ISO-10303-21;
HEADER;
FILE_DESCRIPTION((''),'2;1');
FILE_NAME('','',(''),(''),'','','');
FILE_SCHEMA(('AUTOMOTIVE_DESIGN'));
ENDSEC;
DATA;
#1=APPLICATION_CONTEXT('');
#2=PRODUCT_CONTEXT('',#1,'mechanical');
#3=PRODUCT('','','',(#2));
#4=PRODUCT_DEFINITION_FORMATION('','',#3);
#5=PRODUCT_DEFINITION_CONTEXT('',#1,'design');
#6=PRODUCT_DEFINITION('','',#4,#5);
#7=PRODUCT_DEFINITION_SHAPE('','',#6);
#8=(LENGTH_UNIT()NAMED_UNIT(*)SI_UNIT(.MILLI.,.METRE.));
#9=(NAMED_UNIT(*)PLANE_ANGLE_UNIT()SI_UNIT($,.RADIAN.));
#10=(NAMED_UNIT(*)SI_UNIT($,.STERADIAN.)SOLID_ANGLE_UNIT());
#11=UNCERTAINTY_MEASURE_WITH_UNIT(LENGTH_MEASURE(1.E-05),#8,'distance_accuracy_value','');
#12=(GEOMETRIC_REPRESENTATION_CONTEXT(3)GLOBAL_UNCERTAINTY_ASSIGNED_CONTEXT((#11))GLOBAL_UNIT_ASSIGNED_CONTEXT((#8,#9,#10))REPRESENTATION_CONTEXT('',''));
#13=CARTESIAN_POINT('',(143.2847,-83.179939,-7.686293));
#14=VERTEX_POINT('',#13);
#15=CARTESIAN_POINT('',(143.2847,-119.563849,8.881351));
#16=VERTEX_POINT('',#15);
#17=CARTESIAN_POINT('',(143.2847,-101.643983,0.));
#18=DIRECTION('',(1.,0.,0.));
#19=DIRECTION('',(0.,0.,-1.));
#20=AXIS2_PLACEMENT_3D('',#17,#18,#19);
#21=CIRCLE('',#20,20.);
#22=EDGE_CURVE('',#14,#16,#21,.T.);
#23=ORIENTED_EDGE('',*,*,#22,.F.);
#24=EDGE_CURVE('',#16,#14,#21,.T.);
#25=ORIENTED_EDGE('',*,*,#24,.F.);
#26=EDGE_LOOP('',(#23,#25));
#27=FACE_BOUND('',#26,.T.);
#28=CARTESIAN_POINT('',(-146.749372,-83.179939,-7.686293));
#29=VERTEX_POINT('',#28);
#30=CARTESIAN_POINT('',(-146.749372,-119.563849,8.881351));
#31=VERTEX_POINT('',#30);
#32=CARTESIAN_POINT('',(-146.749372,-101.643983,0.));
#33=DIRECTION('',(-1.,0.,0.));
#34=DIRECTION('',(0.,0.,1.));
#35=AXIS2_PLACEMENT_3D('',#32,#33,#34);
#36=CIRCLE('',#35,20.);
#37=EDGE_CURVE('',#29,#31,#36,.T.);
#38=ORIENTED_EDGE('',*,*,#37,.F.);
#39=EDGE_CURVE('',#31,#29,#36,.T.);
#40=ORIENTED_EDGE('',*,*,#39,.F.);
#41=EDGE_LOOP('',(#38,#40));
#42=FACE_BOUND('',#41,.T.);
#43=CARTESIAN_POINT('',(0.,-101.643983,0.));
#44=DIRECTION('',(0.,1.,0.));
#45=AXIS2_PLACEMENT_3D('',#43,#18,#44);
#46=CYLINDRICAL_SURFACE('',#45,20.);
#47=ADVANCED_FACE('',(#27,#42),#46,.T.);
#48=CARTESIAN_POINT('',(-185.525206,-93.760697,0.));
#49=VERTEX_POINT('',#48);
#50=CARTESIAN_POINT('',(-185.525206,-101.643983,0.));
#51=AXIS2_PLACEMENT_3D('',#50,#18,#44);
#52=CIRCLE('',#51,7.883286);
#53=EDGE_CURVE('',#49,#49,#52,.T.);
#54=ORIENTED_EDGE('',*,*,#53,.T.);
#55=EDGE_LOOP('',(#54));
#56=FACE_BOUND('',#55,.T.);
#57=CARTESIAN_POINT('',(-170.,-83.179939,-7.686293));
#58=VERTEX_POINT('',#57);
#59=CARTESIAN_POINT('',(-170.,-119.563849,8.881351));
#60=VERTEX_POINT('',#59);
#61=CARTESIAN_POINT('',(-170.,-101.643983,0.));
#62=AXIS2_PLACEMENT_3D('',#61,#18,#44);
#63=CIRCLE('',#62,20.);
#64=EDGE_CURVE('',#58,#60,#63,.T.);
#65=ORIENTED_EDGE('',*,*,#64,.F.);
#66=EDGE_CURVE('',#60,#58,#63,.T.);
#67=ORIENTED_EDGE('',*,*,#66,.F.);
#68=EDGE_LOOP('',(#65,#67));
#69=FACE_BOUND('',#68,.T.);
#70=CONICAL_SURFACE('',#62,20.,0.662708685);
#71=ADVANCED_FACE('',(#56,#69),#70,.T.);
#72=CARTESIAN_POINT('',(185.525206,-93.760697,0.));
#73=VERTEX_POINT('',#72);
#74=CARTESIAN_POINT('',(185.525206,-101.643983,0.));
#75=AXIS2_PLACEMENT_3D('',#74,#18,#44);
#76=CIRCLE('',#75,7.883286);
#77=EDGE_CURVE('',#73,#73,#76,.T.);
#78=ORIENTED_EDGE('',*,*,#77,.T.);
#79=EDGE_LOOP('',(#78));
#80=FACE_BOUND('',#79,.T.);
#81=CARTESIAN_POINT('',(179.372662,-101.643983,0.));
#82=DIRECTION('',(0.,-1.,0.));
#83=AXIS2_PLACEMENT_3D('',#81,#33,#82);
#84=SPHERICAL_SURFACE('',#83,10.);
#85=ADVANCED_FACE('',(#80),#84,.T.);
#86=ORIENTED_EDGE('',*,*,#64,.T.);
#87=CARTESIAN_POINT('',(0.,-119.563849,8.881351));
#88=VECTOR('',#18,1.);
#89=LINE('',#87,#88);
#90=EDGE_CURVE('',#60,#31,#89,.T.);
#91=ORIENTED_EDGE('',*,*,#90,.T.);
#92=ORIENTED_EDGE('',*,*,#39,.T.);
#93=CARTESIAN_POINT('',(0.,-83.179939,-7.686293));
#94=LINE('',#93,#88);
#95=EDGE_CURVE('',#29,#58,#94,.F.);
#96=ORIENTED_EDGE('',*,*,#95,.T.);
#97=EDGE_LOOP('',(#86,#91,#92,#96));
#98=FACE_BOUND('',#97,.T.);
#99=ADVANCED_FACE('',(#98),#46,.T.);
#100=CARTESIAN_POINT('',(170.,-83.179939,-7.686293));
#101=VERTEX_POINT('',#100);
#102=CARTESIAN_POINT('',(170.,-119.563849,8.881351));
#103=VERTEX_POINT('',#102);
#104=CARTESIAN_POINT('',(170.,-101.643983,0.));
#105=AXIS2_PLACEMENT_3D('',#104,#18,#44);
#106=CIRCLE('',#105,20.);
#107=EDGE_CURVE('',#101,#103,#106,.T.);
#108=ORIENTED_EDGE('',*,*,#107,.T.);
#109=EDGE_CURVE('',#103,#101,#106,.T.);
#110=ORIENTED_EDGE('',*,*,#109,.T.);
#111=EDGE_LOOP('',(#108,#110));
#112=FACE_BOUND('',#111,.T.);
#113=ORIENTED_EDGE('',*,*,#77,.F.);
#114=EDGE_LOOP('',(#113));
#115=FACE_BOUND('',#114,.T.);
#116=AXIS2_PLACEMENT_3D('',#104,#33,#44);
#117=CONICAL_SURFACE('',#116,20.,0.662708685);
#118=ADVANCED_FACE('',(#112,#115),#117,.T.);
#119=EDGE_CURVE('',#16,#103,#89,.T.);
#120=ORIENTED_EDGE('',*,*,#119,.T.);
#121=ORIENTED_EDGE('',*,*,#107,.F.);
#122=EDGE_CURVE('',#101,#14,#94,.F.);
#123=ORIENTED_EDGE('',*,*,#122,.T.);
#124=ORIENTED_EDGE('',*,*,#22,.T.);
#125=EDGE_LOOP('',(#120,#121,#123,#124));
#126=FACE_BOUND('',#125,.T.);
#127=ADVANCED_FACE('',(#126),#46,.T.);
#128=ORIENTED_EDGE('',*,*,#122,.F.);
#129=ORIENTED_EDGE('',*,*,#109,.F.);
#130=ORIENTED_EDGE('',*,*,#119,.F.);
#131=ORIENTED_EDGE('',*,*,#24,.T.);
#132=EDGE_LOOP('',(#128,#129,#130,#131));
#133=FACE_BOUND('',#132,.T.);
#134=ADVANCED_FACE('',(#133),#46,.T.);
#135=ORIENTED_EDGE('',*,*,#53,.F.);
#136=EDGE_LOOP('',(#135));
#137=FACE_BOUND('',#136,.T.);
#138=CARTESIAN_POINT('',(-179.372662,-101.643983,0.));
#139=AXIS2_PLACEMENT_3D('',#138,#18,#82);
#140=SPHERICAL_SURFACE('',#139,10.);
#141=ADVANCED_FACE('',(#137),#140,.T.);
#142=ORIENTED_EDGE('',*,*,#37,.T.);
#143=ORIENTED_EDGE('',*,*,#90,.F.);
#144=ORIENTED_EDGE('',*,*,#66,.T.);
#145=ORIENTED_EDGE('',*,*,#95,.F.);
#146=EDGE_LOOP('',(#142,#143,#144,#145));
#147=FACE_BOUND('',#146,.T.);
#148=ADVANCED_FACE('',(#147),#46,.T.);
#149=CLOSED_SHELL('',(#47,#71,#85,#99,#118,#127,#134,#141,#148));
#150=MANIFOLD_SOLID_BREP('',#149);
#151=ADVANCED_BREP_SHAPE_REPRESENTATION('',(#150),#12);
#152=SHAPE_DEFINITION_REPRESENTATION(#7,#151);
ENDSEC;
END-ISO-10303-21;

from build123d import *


with BuildPart() as part:
    # Sketch1 → Base-Revolve (revolve)
    with BuildSketch(Plane.XY):
        with BuildLine():
            Line((0, -101.643982593), (-189.372661972, -101.643982593))
            ThreePointArc((-189.372661972, -101.643982593), (-188.359470195, -97.257950448), (-185.525206377, -93.760696644))
            Line((-185.525206377, -93.760696644), (-170, -81.643982593))
            Line((-170, -81.643982593), (-160, -81.643982593))
            Line((-160, -81.643982593), (-100, -81.643982593))
            Line((-100, -81.643982593), (0, -81.643982593))
            Line((0, -81.643982593), (0, -101.643982593))
        make_face()
    base_revolve = revolve(axis=Axis((0, -101.643982593, 0), (-1, 0, 0)))

    # Mirror1: Base-Revolve across plane
    add(base_revolve.mirror(Plane(origin=(0, 0, 0), x_dir=(0, 0, 1), z_dir=(1, 0, 0))))


solid = part.part
